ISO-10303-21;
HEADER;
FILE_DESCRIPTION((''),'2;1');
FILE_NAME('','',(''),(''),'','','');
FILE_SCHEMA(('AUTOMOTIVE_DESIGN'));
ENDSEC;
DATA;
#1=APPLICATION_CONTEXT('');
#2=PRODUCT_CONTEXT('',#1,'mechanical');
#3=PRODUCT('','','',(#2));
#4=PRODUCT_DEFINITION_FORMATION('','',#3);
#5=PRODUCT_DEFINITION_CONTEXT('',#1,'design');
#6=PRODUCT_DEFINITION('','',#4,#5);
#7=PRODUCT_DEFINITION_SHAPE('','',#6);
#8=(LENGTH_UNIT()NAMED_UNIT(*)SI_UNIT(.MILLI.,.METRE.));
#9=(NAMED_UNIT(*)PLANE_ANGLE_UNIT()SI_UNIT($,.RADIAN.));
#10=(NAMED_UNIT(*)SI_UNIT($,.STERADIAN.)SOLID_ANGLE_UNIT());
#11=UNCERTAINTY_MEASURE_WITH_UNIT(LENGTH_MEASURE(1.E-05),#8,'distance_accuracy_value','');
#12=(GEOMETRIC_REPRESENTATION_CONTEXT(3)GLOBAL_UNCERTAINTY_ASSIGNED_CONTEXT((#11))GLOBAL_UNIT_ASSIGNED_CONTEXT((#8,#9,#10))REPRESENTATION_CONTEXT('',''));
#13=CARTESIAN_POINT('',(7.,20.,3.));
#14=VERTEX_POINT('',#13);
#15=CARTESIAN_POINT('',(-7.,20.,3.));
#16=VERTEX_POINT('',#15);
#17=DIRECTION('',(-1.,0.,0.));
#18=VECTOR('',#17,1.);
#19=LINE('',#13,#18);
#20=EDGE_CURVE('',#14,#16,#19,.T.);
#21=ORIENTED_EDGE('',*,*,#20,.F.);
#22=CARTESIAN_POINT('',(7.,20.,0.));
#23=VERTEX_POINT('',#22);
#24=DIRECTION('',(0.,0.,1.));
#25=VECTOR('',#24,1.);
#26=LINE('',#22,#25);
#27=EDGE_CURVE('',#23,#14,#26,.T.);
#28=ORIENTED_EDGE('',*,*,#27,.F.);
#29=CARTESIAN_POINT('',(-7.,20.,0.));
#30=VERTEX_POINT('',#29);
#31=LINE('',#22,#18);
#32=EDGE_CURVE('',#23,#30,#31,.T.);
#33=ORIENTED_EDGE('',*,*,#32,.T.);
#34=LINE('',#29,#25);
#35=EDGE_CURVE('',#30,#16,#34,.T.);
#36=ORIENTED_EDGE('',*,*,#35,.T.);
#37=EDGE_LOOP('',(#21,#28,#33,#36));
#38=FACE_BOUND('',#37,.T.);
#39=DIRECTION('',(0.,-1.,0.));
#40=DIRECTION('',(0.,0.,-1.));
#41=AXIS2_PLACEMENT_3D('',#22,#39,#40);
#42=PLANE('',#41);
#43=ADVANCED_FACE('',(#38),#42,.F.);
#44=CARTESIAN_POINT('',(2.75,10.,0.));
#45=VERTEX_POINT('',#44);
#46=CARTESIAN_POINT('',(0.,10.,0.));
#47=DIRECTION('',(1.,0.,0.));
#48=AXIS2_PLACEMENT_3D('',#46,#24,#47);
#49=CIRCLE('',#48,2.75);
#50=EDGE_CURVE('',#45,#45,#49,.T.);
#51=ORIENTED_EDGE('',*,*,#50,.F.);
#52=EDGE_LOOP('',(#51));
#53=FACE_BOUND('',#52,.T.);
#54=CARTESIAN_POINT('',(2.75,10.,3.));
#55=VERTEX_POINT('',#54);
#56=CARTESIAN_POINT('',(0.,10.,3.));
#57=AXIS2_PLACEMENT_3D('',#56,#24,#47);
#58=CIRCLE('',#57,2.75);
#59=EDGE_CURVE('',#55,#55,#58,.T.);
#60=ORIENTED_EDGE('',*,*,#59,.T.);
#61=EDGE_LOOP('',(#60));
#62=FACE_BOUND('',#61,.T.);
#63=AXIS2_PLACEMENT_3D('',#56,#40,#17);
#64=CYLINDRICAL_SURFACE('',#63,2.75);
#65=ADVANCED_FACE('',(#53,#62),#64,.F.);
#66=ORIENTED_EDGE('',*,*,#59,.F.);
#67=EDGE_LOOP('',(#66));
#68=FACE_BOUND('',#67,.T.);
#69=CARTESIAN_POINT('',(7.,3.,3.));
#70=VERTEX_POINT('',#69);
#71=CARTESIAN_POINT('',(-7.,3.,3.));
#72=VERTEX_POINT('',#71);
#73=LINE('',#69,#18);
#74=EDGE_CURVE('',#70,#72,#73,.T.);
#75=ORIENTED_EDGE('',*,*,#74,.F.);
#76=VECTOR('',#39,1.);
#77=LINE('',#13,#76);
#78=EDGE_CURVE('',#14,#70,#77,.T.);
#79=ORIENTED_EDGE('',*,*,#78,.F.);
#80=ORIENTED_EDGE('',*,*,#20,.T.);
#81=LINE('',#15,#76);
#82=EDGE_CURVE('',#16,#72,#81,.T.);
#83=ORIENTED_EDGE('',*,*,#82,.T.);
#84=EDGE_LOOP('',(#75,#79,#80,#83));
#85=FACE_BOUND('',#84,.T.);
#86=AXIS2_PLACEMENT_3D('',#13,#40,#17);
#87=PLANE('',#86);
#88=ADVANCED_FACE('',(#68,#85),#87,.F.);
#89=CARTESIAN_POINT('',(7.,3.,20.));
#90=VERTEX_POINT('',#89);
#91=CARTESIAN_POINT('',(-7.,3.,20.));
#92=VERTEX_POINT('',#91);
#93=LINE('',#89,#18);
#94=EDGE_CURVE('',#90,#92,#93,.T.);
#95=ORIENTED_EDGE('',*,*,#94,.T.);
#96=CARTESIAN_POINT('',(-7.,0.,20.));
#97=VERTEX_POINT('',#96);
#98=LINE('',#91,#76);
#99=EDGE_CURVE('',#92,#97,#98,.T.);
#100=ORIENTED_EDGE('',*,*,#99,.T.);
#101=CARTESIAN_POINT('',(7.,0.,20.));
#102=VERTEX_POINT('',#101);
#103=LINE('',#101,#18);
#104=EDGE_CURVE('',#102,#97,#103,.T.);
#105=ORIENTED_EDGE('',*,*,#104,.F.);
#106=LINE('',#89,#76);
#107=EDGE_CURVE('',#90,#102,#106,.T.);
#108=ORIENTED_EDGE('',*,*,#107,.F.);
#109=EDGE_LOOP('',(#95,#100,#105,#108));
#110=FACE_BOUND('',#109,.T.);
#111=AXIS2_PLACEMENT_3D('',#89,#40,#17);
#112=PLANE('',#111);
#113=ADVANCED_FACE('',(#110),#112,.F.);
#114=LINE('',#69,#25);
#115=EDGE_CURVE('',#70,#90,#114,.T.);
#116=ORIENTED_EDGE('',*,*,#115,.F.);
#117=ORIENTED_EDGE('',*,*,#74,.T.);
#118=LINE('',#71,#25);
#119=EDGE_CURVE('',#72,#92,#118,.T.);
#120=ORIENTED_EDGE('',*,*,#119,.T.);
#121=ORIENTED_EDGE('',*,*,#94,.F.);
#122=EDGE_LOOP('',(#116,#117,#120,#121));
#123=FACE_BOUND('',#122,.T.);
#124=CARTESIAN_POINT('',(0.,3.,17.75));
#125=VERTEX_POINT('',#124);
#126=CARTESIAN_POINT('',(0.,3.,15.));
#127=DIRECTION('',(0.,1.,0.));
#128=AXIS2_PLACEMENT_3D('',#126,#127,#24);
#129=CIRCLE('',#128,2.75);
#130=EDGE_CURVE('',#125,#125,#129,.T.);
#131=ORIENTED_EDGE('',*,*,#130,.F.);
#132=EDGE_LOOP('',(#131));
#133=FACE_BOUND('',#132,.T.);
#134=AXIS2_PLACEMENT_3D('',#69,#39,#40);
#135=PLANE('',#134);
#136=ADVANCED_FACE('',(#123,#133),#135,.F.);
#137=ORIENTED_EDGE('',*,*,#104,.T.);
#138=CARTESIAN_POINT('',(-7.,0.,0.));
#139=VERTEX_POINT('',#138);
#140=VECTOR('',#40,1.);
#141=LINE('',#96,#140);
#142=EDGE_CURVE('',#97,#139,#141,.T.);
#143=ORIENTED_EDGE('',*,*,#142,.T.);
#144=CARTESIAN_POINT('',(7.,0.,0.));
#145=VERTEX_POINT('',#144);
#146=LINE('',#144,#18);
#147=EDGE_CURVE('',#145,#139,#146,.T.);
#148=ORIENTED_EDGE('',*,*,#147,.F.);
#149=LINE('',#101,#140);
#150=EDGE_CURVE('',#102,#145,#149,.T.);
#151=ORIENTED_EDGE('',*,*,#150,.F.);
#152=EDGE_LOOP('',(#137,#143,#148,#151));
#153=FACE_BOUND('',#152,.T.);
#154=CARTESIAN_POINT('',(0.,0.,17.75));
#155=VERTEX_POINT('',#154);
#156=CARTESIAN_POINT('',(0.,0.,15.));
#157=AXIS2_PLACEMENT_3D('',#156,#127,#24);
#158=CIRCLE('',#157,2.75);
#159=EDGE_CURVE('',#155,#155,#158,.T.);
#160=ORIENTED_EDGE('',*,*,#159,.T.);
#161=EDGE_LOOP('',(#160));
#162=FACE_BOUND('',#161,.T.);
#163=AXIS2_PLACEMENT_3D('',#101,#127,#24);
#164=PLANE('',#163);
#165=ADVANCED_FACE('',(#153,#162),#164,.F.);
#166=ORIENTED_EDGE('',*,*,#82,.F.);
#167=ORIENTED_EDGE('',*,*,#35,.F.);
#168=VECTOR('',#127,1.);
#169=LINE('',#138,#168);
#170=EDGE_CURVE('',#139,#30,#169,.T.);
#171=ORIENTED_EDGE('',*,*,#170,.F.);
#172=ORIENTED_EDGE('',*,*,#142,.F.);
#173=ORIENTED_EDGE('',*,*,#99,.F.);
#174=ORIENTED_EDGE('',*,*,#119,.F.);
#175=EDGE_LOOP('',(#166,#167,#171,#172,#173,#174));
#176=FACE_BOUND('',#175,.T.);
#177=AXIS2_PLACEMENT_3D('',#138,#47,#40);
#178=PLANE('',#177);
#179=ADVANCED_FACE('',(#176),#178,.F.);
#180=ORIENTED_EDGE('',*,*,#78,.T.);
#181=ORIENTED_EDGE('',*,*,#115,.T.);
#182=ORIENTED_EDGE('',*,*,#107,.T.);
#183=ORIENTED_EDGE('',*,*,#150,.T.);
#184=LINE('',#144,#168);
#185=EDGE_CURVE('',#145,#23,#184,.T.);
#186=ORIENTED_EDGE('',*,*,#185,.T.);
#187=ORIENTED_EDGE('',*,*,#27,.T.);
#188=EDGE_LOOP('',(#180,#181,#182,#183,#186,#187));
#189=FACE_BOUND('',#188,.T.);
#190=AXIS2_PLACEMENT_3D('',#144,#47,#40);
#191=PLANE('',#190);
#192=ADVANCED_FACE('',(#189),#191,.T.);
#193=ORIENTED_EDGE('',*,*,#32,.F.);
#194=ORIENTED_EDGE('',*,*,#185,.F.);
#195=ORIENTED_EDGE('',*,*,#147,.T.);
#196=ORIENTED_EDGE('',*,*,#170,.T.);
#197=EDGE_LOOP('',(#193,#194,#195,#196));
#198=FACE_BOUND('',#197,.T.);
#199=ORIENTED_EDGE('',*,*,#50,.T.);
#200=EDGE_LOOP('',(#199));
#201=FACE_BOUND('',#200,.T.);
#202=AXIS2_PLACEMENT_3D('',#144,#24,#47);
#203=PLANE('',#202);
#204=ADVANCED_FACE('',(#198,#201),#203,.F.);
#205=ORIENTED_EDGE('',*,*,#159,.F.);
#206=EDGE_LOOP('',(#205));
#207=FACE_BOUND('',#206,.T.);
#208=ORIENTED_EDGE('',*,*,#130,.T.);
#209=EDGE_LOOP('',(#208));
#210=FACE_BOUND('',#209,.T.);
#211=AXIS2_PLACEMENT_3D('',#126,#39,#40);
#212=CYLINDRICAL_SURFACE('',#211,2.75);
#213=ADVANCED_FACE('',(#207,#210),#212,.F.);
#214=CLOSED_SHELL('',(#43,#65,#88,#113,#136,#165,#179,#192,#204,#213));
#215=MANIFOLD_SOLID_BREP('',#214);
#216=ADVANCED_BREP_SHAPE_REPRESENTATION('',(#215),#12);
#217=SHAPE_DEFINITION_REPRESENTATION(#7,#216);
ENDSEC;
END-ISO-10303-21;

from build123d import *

# Parameters (mm, degrees)
BOSS_EXTRUDE1_DEPTH      = 7
BOSS_EXTRUDE1_DEPTH_BACK = 7
SKETCH2_R                = 2.75
CUT_EXTRUDE1_DEPTH       = 3
SKETCH3_R                = 2.75
CUT_EXTRUDE2_DEPTH       = 3


with BuildPart() as part:
    # Sketch1 → Boss-Extrude1 (new, two sides: drawn at the far end of the back side and taken through both)
    with BuildSketch(Plane(origin=(0, 0, 0), x_dir=(0, 0, -1), z_dir=(1, 0, 0)).offset(-BOSS_EXTRUDE1_DEPTH_BACK)):
        Polygon((-20, 0), (0, 0), (0, 20), (-3, 20), (-3, 3), (-20, 3), align=None)
    extrude(amount=BOSS_EXTRUDE1_DEPTH + BOSS_EXTRUDE1_DEPTH_BACK)

    # Sketch2 → Cut-Extrude1 (cut)
    with BuildSketch(Plane.XY):
        with Locations((0, 10)):
            Circle(SKETCH2_R)
    extrude(amount=CUT_EXTRUDE1_DEPTH, mode=Mode.SUBTRACT)

    # Sketch3 → Cut-Extrude2 (cut)
    with BuildSketch(Plane(origin=(0, 0, 0), x_dir=(1, 0, 0), z_dir=(0, 1, 0))):
        with Locations((0, -15)):
            Circle(SKETCH3_R)
    extrude(amount=CUT_EXTRUDE2_DEPTH, mode=Mode.SUBTRACT)


solid = part.part
